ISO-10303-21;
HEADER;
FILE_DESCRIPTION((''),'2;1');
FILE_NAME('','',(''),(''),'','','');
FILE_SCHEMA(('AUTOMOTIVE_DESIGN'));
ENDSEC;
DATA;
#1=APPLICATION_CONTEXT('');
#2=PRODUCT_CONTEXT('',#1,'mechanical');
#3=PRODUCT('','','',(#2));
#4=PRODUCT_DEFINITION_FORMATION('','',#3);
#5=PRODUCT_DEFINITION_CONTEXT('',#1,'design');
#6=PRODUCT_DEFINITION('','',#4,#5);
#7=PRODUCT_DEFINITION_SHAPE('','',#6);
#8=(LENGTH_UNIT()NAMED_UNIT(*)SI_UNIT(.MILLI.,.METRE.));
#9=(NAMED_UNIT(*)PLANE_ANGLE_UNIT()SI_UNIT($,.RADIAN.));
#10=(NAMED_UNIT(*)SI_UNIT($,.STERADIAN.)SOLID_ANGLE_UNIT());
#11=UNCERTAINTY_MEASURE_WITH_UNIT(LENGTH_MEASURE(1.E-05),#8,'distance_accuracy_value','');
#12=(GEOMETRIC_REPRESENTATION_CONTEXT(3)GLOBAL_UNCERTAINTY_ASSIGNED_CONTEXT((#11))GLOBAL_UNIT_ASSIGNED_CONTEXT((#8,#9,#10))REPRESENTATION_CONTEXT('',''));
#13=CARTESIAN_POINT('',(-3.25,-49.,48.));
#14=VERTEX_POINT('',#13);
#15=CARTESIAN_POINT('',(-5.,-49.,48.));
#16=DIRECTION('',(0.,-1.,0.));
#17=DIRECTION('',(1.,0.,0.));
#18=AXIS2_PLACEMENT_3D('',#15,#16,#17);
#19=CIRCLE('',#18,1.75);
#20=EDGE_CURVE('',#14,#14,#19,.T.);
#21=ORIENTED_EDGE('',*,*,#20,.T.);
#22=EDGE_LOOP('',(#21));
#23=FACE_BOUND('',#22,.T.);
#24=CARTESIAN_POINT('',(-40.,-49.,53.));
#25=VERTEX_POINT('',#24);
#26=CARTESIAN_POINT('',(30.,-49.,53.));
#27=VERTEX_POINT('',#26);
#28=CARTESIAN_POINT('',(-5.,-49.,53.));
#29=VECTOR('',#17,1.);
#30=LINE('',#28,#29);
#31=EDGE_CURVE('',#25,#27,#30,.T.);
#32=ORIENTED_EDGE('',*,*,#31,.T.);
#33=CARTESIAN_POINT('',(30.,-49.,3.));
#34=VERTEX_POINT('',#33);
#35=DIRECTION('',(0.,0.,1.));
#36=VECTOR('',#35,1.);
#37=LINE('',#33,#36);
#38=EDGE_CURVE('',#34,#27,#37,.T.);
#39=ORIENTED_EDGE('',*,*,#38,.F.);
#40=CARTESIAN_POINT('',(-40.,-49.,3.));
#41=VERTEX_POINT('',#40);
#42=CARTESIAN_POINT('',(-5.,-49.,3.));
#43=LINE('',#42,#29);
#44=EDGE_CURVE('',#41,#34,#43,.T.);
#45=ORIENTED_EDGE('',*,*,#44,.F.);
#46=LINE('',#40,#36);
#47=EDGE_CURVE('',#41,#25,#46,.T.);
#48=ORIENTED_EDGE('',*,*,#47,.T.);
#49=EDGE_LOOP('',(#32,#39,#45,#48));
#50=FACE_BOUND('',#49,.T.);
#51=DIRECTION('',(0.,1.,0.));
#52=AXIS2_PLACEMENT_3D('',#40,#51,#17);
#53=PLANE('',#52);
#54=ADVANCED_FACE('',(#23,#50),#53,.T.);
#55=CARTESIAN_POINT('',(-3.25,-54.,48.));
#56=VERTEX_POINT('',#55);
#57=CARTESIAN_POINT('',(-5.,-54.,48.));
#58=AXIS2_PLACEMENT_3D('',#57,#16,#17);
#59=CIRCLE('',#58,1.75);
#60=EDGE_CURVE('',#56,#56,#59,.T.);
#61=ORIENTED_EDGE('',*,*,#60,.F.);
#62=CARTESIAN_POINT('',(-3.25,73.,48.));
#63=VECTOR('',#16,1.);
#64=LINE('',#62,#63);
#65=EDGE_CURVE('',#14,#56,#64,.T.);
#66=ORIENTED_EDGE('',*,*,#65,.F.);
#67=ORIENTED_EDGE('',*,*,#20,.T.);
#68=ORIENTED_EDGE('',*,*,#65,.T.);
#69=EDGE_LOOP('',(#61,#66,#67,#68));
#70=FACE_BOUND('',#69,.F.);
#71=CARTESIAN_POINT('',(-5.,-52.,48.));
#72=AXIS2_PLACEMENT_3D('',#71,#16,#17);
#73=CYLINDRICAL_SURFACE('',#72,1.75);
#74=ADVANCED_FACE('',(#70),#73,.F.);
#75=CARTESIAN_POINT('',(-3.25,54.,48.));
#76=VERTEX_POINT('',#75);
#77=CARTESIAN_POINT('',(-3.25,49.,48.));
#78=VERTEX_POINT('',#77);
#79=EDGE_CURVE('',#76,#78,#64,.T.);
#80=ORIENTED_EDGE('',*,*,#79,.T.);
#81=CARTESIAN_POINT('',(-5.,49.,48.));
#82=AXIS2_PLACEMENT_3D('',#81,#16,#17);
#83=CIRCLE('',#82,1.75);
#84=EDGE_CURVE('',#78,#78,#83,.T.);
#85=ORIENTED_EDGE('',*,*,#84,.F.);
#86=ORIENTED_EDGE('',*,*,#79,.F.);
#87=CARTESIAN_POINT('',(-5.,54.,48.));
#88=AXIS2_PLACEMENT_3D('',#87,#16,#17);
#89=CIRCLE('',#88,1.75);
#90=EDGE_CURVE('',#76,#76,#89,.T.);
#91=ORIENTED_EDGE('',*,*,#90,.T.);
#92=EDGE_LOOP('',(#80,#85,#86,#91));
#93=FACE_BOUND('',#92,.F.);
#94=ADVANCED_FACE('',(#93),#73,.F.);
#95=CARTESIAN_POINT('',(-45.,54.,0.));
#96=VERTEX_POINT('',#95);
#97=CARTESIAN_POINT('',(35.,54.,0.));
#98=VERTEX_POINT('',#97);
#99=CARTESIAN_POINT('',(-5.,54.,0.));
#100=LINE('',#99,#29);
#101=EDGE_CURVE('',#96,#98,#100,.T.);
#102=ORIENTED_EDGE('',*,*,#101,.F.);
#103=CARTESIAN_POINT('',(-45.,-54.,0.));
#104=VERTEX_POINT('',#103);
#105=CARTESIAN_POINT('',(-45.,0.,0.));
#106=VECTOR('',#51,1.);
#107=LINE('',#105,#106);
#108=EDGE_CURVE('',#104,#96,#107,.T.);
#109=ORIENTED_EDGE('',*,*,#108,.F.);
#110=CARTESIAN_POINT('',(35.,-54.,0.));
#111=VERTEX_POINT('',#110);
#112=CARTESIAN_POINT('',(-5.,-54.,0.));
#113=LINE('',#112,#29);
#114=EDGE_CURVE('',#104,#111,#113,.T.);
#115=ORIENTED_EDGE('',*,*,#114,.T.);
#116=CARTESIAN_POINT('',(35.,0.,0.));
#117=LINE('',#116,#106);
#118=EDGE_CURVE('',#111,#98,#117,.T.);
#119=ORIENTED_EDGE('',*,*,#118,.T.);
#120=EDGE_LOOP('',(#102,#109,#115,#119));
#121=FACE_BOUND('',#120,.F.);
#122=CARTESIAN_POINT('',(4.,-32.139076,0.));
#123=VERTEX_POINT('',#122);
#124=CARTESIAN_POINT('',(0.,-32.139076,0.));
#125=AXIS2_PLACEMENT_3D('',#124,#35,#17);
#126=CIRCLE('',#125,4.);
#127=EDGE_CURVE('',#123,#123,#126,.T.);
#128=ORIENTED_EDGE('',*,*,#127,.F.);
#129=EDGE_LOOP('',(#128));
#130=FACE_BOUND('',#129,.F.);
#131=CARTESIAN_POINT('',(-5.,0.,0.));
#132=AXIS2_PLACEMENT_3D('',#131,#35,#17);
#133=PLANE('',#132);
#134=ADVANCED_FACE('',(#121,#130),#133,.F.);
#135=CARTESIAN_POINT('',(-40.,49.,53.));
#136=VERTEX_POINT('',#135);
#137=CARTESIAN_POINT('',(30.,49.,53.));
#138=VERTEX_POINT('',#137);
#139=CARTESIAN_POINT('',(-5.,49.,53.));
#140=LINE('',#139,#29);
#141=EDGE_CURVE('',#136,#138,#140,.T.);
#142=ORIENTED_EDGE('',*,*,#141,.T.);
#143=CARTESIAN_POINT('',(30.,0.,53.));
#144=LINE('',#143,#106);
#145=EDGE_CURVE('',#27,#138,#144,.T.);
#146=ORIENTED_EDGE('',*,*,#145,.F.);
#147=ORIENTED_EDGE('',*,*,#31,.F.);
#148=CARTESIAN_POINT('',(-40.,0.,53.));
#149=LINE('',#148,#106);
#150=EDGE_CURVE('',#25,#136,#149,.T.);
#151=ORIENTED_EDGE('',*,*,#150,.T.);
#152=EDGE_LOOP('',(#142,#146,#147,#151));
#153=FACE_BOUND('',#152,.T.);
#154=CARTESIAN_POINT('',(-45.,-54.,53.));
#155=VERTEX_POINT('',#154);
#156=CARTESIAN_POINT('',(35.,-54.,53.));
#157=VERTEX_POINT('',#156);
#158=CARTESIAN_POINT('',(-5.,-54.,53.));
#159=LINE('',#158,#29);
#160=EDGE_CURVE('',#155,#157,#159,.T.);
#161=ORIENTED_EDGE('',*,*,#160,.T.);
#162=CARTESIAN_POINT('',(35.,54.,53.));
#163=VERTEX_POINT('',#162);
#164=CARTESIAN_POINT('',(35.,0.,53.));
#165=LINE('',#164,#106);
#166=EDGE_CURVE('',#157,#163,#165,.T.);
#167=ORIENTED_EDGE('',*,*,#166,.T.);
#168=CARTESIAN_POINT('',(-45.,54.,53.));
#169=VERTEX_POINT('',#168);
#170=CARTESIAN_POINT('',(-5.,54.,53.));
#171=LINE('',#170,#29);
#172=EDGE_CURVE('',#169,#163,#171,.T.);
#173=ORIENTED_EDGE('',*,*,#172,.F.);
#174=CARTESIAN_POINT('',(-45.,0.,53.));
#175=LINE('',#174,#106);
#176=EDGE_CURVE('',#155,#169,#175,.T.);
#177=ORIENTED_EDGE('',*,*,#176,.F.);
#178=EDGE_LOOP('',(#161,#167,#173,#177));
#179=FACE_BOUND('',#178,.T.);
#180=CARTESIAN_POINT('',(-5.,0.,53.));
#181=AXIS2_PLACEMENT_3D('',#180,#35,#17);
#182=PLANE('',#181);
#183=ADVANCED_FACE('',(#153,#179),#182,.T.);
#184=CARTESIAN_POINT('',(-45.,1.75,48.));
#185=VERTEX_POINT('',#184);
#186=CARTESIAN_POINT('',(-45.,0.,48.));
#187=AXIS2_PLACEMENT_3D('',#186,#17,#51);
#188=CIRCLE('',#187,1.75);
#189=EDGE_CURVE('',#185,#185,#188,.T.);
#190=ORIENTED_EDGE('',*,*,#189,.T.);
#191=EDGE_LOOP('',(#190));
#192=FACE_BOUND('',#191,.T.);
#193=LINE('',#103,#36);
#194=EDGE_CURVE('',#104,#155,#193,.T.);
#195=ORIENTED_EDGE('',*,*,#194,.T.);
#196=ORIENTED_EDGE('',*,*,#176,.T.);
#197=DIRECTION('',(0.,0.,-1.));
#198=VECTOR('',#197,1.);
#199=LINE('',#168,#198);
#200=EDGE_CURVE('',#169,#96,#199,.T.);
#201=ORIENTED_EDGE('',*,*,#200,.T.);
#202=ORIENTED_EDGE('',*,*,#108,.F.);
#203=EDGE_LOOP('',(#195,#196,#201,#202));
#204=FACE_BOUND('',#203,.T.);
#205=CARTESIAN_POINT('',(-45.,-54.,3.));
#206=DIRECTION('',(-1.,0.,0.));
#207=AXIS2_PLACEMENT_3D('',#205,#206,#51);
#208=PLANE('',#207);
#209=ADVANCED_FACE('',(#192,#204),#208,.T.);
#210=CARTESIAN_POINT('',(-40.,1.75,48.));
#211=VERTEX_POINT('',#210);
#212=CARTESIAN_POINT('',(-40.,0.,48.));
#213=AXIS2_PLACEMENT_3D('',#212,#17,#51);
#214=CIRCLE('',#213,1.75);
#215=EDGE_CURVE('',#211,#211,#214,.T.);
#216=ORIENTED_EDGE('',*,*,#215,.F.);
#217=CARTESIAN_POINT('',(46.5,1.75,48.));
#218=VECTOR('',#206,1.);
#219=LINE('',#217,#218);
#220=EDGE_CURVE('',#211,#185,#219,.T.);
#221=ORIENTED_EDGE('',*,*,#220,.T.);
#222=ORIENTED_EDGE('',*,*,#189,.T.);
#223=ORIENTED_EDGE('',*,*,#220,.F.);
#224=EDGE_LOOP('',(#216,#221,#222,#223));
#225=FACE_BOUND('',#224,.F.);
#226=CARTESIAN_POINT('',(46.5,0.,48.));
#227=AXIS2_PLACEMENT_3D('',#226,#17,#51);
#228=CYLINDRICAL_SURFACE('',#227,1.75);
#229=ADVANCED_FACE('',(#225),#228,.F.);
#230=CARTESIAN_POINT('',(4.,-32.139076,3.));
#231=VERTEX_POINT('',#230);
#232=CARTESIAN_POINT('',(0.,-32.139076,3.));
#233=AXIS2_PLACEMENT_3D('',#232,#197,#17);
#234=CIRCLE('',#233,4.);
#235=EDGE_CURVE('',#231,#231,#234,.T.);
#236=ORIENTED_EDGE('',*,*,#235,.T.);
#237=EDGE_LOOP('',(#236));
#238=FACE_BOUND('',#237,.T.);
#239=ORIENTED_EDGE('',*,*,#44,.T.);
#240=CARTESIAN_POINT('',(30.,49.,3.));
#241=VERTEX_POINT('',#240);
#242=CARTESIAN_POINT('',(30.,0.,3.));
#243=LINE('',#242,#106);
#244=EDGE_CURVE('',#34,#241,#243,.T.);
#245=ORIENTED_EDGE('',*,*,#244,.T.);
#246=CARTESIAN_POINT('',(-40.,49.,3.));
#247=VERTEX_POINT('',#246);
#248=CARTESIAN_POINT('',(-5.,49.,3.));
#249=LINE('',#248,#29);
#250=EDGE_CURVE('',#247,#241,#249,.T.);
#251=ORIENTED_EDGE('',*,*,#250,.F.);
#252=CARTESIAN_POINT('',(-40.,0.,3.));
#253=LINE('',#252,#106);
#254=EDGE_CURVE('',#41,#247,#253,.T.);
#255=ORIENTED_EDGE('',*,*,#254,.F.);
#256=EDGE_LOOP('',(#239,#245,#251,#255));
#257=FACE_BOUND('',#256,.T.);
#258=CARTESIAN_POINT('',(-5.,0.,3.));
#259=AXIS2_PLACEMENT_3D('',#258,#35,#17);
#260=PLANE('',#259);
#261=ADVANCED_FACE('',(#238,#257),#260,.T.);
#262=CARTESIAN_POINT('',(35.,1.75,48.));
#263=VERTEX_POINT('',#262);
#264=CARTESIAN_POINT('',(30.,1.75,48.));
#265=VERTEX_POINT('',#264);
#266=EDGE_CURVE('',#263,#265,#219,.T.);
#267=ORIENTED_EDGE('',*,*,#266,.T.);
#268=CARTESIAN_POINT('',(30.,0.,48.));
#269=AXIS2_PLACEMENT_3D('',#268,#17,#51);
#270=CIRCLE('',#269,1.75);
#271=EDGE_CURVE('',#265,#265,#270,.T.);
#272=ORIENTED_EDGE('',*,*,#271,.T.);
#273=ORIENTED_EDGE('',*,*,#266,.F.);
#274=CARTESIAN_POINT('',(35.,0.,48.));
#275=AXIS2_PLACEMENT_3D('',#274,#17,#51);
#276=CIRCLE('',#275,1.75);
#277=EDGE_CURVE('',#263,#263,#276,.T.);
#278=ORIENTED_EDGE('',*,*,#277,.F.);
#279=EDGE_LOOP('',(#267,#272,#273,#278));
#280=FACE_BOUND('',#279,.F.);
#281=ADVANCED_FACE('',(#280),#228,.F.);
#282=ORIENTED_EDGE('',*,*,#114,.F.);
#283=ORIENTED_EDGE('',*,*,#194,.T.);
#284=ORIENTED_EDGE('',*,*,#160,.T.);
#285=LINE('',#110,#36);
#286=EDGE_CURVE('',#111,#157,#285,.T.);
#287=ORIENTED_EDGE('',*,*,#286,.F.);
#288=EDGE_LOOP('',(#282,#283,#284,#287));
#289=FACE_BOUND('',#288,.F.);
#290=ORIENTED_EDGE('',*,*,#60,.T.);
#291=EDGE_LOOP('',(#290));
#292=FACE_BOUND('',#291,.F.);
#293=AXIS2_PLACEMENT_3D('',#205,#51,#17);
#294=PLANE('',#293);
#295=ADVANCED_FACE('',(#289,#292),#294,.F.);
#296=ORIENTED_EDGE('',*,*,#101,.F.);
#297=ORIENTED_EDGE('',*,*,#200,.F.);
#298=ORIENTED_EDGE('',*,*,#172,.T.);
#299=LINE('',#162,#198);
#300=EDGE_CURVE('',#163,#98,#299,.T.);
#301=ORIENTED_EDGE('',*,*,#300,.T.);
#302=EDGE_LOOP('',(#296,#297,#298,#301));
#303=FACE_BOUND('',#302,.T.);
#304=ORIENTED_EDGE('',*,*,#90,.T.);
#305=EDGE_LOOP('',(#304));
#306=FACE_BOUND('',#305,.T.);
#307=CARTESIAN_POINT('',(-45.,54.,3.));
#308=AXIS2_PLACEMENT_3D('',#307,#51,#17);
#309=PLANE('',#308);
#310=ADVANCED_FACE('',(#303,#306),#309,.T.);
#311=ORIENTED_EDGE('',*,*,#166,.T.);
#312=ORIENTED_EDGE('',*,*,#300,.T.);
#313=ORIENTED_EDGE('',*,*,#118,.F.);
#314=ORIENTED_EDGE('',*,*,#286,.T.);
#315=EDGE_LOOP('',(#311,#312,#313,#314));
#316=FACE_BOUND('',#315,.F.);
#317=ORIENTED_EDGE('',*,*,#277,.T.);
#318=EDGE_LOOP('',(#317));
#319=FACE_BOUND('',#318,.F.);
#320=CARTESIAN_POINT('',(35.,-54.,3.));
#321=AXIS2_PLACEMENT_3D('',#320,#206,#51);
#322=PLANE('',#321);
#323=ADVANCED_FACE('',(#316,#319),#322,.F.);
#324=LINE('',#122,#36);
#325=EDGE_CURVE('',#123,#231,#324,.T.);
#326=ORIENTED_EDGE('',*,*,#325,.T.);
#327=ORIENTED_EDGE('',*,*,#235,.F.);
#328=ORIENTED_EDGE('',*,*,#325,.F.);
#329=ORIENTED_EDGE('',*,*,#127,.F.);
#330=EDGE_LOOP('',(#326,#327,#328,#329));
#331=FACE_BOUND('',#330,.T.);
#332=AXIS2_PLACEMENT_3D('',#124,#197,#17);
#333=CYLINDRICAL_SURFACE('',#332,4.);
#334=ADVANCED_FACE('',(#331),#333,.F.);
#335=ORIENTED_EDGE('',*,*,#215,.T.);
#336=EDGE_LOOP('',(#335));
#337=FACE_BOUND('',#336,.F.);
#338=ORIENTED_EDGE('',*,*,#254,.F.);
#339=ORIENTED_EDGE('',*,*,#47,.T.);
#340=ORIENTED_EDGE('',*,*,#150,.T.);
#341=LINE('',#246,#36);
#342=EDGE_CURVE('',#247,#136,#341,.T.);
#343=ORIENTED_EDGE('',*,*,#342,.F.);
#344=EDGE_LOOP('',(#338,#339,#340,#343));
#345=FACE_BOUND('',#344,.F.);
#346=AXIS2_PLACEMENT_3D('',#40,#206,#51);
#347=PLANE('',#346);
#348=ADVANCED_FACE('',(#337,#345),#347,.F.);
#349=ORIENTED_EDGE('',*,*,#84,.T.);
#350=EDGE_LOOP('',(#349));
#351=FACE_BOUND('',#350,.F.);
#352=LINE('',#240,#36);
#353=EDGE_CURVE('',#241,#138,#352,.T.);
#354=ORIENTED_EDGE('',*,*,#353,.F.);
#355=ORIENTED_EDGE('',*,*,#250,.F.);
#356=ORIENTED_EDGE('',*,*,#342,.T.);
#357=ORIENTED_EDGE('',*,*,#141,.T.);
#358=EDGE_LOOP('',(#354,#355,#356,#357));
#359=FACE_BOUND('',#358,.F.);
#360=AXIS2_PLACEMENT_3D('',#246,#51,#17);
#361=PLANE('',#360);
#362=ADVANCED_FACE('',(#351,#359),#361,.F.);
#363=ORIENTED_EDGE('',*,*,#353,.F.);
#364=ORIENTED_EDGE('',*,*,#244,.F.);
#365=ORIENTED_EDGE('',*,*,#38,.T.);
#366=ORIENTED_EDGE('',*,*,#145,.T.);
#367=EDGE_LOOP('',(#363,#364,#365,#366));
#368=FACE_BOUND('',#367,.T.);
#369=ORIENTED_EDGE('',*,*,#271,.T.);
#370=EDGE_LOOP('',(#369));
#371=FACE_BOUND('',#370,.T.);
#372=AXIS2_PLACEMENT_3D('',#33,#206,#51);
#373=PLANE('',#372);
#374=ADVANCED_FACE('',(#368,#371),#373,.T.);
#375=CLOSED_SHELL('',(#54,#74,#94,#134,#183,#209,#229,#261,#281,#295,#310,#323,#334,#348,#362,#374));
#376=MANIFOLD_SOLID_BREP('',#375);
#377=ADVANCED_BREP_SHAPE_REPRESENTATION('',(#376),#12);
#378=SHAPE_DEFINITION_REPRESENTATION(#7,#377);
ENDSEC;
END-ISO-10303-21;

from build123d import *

# Parameters (mm, degrees)
SKETCH_W        = 80
SKETCH_H        = 108
PAD_DEPTH       = 3
SKETCH001_W     = 80
SKETCH001_H     = 108
SKETCH001_W_2   = 70
SKETCH001_H_2   = 98
PAD001_DEPTH    = 50
SKETCH002_R     = 4
POCKET_DEPTH    = 5
SKETCH004_R     = 1.75
POCKET002_DEPTH = 125
SKETCH003_R     = 1.75
POCKET003_DEPTH = 105


with BuildPart() as part:
    # Sketch → Pad (new body)
    with BuildSketch(Plane.XY):
        with Locations((-5, 0)):
            Rectangle(SKETCH_W, SKETCH_H)
    extrude(amount=PAD_DEPTH)

    # Sketch001 → Pad001 (join)
    with BuildSketch(Plane.XY.offset(3)):
        with Locations((-5, 0)):
            Rectangle(SKETCH001_W, SKETCH001_H)
        with Locations((-5, 0)):
            Rectangle(SKETCH001_W_2, SKETCH001_H_2, mode=Mode.SUBTRACT)
    extrude(amount=PAD001_DEPTH)

    # Sketch002 → Pocket (cut)
    with BuildSketch(Plane.XY):
        with Locations((0, -32.139076)):
            Circle(SKETCH002_R)
    extrude(amount=POCKET_DEPTH, mode=Mode.SUBTRACT)

    # Sketch004 → Pocket002 (cut, symmetric)
    with BuildSketch(Plane.XZ.offset(52)):
        with Locations((-5, 48)):
            Circle(SKETCH004_R)
    extrude(amount=POCKET002_DEPTH, both=True, mode=Mode.SUBTRACT)

    # Sketch003 → Pocket003 (cut)
    with BuildSketch(Plane.YZ.offset(46.5)):
        with Locations((0, 48)):
            Circle(SKETCH003_R)
    extrude(amount=-POCKET003_DEPTH, mode=Mode.SUBTRACT)


solid = part.part
